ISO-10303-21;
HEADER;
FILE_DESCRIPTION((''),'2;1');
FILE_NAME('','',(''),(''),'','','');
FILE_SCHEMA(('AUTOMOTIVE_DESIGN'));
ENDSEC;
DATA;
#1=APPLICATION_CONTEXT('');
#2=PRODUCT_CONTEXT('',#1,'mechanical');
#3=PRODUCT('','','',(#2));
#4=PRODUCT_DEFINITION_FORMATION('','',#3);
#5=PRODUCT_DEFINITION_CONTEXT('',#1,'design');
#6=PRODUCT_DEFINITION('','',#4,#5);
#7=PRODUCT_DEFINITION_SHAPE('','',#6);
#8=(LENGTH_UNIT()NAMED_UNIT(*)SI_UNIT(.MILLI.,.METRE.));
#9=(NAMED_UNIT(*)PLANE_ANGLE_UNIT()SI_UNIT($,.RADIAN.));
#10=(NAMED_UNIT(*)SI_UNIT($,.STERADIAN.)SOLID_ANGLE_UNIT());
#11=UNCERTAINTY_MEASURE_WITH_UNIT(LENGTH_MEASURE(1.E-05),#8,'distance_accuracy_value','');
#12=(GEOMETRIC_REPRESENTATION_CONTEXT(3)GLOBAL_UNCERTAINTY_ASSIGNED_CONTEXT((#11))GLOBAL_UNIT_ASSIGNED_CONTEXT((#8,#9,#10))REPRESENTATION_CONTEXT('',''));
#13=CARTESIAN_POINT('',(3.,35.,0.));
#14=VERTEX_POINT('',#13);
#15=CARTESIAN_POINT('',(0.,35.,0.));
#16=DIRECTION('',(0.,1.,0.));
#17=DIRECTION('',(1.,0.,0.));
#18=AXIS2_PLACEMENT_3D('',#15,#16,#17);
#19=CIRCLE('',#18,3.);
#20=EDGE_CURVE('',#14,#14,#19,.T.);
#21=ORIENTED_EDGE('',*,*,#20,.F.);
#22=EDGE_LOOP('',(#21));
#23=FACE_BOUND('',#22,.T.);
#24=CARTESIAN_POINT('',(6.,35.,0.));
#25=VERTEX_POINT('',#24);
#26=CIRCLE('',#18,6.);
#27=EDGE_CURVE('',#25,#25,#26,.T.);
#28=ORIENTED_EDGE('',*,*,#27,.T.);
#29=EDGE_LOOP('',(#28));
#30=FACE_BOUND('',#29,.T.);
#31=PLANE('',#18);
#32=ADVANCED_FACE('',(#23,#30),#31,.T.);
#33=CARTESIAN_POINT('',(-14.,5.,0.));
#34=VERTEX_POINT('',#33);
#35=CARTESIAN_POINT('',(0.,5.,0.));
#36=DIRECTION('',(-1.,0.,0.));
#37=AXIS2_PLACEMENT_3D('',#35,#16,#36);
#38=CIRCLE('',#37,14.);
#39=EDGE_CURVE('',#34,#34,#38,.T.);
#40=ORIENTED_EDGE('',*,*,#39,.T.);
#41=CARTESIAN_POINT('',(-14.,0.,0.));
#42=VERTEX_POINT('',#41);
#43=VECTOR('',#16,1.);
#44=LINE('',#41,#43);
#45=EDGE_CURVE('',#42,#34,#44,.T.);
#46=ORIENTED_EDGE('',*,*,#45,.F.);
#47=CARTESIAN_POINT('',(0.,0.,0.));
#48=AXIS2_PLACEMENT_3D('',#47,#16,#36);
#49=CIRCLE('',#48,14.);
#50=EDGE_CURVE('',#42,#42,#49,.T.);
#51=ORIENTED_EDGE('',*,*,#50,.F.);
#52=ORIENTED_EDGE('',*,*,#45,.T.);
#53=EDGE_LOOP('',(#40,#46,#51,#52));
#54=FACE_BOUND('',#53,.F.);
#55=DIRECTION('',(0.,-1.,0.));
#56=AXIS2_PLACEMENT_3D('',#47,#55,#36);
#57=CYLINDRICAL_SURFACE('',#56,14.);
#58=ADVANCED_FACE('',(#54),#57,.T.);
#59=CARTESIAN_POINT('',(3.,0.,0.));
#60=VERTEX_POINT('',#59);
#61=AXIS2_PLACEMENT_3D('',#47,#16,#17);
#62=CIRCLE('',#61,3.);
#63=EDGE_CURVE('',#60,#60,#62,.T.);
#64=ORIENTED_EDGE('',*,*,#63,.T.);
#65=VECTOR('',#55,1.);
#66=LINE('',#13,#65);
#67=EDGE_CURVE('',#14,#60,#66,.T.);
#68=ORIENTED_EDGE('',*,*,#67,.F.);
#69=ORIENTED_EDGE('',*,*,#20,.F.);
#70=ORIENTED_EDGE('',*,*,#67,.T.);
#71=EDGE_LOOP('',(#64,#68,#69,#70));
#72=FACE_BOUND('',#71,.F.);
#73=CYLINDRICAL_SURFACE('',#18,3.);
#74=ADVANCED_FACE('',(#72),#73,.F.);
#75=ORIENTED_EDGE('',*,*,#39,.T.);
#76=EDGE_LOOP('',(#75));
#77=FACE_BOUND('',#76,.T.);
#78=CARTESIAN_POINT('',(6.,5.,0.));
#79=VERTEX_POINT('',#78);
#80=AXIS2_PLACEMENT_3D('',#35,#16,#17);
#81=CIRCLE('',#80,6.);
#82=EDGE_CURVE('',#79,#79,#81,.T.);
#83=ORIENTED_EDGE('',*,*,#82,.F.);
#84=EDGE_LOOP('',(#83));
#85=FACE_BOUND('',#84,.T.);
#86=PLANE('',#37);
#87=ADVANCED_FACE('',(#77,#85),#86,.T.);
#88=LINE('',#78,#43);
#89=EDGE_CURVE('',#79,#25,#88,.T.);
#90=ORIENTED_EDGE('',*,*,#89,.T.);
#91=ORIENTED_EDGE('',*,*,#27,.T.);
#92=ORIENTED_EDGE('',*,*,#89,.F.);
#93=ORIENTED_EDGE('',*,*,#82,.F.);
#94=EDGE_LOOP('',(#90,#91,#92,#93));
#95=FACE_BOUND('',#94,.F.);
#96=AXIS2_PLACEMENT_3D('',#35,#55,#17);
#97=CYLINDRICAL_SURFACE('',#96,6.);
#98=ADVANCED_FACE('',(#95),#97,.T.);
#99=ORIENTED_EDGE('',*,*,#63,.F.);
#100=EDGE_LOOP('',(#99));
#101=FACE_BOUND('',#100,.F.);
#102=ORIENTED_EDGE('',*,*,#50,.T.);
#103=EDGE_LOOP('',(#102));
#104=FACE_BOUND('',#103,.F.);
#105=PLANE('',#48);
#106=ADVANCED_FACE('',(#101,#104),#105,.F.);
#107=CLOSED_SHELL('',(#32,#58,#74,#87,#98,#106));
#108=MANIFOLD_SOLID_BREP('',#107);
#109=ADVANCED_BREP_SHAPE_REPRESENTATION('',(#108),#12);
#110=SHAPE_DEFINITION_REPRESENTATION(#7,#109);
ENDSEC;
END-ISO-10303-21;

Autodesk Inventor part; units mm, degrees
ref_plane "YZ Plane" through (0, 0, 0) normal (1, 0, 0) x (0, 1, 0)
ref_plane "XZ Plane" through (0, 0, 0) normal (0, 1, 0) x (-1, 0, 0)
ref_plane "XY Plane" through (0, 0, 0) normal (0, 0, 1) x (1, 0, 0)
sketch "Sketch1" plane through (0, 0, 0) normal (0, 1, 0) x (-1, 0, 0)
  circle A0 centre (0, 0) radius 14
  dimension "d0" = 28
extrude "Extrusion1" add sketch "Sketch1" along normal blind 5
sketch "Sketch2" plane through (0, 5, 0) normal (0, 1, 0) x (1, 0, 0)
  circle A0 centre (0, 0) radius 6
  dimension "d3" = 12
extrude "Extrusion2" add sketch "Sketch2" along normal blind 30
sketch "Sketch3" plane through (0, 35, 0) normal (0, 1, 0) x (1, 0, 0)
  circle A0 centre (0, 0) radius 3
  dimension "d6" = 6
extrude "Extrusion3" cut sketch "Sketch3" against normal blind 35
equation "\"d0\" = WWW_D1"
equation "\"d1\" = WWW_H"
equation "\"d3\" = WWW_D"
equation "\"d4\" = WWW_L - WWW_H"
equation "\"d6\" = WWW_dr"
equation "\"d7\" = WWW_L"
equation "\"WWW_D1\" = 28"
equation "\"WWW_H\" = 5"
equation "\"WWW_D\" = 12"
equation "\"WWW_L\" = 35"
equation "\"WWW_dr\" = 6"
properties part number "ogolne_lozysko_liniowe"
